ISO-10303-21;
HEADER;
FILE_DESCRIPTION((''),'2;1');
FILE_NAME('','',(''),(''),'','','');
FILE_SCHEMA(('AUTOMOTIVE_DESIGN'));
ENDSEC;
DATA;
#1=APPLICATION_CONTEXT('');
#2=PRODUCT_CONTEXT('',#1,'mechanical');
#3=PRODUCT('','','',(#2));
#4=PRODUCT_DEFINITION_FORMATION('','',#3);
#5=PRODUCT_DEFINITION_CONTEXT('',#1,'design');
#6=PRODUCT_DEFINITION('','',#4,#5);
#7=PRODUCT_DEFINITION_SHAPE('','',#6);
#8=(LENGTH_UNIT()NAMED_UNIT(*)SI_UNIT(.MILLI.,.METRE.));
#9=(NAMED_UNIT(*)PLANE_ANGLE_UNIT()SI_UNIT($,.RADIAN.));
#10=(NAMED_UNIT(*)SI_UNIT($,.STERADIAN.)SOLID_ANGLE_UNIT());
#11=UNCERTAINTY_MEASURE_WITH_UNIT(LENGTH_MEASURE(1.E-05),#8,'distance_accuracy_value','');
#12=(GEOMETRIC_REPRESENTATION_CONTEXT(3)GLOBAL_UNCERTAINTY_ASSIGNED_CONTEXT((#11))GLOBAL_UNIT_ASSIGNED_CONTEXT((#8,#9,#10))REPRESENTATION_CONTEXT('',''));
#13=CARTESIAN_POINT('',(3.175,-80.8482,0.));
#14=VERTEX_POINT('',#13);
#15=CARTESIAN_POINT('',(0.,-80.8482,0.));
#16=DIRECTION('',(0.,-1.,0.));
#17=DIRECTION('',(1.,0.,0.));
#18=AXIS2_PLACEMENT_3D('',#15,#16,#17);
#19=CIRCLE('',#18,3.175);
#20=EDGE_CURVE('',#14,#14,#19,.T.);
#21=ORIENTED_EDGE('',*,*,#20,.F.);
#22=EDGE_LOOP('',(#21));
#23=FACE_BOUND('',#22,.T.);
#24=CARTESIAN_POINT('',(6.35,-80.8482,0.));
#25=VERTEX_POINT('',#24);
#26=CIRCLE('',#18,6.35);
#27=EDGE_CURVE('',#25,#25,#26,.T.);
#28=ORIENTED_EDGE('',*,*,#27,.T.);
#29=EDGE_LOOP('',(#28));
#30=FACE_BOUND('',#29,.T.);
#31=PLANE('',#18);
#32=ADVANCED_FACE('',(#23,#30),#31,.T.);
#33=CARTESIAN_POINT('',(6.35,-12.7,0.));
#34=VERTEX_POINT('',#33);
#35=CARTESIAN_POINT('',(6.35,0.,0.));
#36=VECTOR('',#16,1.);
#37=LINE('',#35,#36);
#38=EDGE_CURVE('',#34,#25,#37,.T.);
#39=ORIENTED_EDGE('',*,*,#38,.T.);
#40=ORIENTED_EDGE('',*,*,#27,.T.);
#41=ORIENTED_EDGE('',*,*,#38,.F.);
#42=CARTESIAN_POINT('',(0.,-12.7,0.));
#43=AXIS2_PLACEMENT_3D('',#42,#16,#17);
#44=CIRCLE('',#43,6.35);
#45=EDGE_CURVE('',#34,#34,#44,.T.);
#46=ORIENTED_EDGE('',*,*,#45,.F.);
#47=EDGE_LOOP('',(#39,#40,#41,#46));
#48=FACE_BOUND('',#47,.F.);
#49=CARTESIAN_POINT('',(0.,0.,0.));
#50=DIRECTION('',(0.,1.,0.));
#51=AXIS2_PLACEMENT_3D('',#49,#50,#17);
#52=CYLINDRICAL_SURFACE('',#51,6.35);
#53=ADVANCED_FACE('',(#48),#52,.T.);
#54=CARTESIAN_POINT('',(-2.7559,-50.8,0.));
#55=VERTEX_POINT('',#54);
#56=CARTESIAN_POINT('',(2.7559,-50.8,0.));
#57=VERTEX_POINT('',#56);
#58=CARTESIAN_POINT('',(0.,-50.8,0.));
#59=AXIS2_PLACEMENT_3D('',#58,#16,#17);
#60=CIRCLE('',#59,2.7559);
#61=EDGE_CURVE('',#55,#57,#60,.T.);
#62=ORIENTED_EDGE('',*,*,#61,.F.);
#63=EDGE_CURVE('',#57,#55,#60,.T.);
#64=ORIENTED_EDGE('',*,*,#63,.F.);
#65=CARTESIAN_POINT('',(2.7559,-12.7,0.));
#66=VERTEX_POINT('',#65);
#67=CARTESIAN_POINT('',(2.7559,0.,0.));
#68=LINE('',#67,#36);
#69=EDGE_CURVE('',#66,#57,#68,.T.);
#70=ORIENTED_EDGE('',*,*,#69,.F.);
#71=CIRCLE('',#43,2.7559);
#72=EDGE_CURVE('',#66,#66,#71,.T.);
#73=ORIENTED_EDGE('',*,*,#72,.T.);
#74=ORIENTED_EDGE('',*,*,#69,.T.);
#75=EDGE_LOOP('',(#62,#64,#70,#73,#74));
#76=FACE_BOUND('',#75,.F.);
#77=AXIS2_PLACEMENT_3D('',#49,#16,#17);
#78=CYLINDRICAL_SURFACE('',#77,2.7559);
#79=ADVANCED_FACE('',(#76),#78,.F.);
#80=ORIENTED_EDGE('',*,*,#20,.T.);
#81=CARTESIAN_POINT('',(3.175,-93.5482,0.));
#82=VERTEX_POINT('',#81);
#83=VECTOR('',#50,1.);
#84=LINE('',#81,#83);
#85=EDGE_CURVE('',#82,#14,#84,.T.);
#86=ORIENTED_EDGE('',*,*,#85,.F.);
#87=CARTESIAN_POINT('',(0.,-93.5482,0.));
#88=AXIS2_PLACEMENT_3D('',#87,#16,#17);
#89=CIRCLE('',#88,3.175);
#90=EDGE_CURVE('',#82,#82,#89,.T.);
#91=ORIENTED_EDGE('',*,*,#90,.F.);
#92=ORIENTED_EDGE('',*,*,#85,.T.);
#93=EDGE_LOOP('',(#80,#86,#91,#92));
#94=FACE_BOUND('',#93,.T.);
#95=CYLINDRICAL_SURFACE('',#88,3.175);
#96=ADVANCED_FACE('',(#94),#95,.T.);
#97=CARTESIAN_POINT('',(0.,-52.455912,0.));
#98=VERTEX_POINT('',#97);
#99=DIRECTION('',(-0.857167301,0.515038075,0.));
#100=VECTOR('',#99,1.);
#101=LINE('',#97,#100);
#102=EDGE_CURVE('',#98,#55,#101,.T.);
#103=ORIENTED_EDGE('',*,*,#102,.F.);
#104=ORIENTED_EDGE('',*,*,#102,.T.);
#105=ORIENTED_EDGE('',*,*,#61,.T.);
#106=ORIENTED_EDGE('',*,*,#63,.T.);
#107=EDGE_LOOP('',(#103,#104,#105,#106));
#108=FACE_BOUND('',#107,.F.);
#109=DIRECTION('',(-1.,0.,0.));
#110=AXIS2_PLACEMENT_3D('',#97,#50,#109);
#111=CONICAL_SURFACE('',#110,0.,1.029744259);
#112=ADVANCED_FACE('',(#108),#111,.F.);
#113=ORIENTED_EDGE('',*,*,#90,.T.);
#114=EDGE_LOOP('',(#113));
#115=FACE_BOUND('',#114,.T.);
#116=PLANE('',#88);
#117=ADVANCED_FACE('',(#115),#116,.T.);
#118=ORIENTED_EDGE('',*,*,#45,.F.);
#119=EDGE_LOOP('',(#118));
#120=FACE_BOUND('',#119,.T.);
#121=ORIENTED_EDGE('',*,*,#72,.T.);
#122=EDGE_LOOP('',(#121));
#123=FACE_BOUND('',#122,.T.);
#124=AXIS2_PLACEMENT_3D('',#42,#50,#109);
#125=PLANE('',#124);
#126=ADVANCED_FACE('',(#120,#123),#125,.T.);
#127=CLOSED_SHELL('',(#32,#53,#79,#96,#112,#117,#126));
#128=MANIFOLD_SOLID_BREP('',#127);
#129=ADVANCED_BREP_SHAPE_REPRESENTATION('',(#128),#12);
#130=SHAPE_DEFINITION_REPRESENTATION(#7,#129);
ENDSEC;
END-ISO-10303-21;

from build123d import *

# Parameters (mm, degrees)
F0_R           = 6.35
F1_DEPTH       = 93.5482
F2_R           = 6.35
F2_R_2         = 3.175
F3_DEPTH       = 12.7
F5_D           = 5.5118
F5_DEPTH       = 50.8
F5_CBORE_D     = 12.7
F5_CBORE_DEPTH = 12.7
F5_TIP         = 1.65591178


with BuildPart() as f1:
    # F0 (on Front) → F1 (new body)
    with BuildSketch(Plane.XZ):
        Circle(F0_R)
    extrude(amount=F1_DEPTH)

    # F2 (on face) → F3 (cut)
    with BuildSketch(Plane.XZ.offset(93.5482)):
        Circle(F2_R)
        Circle(F2_R_2, mode=Mode.SUBTRACT)
    extrude(amount=-F3_DEPTH, mode=Mode.SUBTRACT)

    # F5
    with Locations(Plane(origin=(0, 0, 0), x_dir=(-1, 0, 0), z_dir=(0, 1, 0))):
        with Locations((0, 0)):
            CounterBoreHole(F5_D / 2, F5_CBORE_D / 2, F5_CBORE_DEPTH, depth=F5_DEPTH)
            with Locations((0, 0, -(F5_DEPTH + F5_TIP / 2))):  # 118° drill point
                Cone(0, F5_D / 2, F5_TIP, mode=Mode.SUBTRACT)


solid = f1.part
